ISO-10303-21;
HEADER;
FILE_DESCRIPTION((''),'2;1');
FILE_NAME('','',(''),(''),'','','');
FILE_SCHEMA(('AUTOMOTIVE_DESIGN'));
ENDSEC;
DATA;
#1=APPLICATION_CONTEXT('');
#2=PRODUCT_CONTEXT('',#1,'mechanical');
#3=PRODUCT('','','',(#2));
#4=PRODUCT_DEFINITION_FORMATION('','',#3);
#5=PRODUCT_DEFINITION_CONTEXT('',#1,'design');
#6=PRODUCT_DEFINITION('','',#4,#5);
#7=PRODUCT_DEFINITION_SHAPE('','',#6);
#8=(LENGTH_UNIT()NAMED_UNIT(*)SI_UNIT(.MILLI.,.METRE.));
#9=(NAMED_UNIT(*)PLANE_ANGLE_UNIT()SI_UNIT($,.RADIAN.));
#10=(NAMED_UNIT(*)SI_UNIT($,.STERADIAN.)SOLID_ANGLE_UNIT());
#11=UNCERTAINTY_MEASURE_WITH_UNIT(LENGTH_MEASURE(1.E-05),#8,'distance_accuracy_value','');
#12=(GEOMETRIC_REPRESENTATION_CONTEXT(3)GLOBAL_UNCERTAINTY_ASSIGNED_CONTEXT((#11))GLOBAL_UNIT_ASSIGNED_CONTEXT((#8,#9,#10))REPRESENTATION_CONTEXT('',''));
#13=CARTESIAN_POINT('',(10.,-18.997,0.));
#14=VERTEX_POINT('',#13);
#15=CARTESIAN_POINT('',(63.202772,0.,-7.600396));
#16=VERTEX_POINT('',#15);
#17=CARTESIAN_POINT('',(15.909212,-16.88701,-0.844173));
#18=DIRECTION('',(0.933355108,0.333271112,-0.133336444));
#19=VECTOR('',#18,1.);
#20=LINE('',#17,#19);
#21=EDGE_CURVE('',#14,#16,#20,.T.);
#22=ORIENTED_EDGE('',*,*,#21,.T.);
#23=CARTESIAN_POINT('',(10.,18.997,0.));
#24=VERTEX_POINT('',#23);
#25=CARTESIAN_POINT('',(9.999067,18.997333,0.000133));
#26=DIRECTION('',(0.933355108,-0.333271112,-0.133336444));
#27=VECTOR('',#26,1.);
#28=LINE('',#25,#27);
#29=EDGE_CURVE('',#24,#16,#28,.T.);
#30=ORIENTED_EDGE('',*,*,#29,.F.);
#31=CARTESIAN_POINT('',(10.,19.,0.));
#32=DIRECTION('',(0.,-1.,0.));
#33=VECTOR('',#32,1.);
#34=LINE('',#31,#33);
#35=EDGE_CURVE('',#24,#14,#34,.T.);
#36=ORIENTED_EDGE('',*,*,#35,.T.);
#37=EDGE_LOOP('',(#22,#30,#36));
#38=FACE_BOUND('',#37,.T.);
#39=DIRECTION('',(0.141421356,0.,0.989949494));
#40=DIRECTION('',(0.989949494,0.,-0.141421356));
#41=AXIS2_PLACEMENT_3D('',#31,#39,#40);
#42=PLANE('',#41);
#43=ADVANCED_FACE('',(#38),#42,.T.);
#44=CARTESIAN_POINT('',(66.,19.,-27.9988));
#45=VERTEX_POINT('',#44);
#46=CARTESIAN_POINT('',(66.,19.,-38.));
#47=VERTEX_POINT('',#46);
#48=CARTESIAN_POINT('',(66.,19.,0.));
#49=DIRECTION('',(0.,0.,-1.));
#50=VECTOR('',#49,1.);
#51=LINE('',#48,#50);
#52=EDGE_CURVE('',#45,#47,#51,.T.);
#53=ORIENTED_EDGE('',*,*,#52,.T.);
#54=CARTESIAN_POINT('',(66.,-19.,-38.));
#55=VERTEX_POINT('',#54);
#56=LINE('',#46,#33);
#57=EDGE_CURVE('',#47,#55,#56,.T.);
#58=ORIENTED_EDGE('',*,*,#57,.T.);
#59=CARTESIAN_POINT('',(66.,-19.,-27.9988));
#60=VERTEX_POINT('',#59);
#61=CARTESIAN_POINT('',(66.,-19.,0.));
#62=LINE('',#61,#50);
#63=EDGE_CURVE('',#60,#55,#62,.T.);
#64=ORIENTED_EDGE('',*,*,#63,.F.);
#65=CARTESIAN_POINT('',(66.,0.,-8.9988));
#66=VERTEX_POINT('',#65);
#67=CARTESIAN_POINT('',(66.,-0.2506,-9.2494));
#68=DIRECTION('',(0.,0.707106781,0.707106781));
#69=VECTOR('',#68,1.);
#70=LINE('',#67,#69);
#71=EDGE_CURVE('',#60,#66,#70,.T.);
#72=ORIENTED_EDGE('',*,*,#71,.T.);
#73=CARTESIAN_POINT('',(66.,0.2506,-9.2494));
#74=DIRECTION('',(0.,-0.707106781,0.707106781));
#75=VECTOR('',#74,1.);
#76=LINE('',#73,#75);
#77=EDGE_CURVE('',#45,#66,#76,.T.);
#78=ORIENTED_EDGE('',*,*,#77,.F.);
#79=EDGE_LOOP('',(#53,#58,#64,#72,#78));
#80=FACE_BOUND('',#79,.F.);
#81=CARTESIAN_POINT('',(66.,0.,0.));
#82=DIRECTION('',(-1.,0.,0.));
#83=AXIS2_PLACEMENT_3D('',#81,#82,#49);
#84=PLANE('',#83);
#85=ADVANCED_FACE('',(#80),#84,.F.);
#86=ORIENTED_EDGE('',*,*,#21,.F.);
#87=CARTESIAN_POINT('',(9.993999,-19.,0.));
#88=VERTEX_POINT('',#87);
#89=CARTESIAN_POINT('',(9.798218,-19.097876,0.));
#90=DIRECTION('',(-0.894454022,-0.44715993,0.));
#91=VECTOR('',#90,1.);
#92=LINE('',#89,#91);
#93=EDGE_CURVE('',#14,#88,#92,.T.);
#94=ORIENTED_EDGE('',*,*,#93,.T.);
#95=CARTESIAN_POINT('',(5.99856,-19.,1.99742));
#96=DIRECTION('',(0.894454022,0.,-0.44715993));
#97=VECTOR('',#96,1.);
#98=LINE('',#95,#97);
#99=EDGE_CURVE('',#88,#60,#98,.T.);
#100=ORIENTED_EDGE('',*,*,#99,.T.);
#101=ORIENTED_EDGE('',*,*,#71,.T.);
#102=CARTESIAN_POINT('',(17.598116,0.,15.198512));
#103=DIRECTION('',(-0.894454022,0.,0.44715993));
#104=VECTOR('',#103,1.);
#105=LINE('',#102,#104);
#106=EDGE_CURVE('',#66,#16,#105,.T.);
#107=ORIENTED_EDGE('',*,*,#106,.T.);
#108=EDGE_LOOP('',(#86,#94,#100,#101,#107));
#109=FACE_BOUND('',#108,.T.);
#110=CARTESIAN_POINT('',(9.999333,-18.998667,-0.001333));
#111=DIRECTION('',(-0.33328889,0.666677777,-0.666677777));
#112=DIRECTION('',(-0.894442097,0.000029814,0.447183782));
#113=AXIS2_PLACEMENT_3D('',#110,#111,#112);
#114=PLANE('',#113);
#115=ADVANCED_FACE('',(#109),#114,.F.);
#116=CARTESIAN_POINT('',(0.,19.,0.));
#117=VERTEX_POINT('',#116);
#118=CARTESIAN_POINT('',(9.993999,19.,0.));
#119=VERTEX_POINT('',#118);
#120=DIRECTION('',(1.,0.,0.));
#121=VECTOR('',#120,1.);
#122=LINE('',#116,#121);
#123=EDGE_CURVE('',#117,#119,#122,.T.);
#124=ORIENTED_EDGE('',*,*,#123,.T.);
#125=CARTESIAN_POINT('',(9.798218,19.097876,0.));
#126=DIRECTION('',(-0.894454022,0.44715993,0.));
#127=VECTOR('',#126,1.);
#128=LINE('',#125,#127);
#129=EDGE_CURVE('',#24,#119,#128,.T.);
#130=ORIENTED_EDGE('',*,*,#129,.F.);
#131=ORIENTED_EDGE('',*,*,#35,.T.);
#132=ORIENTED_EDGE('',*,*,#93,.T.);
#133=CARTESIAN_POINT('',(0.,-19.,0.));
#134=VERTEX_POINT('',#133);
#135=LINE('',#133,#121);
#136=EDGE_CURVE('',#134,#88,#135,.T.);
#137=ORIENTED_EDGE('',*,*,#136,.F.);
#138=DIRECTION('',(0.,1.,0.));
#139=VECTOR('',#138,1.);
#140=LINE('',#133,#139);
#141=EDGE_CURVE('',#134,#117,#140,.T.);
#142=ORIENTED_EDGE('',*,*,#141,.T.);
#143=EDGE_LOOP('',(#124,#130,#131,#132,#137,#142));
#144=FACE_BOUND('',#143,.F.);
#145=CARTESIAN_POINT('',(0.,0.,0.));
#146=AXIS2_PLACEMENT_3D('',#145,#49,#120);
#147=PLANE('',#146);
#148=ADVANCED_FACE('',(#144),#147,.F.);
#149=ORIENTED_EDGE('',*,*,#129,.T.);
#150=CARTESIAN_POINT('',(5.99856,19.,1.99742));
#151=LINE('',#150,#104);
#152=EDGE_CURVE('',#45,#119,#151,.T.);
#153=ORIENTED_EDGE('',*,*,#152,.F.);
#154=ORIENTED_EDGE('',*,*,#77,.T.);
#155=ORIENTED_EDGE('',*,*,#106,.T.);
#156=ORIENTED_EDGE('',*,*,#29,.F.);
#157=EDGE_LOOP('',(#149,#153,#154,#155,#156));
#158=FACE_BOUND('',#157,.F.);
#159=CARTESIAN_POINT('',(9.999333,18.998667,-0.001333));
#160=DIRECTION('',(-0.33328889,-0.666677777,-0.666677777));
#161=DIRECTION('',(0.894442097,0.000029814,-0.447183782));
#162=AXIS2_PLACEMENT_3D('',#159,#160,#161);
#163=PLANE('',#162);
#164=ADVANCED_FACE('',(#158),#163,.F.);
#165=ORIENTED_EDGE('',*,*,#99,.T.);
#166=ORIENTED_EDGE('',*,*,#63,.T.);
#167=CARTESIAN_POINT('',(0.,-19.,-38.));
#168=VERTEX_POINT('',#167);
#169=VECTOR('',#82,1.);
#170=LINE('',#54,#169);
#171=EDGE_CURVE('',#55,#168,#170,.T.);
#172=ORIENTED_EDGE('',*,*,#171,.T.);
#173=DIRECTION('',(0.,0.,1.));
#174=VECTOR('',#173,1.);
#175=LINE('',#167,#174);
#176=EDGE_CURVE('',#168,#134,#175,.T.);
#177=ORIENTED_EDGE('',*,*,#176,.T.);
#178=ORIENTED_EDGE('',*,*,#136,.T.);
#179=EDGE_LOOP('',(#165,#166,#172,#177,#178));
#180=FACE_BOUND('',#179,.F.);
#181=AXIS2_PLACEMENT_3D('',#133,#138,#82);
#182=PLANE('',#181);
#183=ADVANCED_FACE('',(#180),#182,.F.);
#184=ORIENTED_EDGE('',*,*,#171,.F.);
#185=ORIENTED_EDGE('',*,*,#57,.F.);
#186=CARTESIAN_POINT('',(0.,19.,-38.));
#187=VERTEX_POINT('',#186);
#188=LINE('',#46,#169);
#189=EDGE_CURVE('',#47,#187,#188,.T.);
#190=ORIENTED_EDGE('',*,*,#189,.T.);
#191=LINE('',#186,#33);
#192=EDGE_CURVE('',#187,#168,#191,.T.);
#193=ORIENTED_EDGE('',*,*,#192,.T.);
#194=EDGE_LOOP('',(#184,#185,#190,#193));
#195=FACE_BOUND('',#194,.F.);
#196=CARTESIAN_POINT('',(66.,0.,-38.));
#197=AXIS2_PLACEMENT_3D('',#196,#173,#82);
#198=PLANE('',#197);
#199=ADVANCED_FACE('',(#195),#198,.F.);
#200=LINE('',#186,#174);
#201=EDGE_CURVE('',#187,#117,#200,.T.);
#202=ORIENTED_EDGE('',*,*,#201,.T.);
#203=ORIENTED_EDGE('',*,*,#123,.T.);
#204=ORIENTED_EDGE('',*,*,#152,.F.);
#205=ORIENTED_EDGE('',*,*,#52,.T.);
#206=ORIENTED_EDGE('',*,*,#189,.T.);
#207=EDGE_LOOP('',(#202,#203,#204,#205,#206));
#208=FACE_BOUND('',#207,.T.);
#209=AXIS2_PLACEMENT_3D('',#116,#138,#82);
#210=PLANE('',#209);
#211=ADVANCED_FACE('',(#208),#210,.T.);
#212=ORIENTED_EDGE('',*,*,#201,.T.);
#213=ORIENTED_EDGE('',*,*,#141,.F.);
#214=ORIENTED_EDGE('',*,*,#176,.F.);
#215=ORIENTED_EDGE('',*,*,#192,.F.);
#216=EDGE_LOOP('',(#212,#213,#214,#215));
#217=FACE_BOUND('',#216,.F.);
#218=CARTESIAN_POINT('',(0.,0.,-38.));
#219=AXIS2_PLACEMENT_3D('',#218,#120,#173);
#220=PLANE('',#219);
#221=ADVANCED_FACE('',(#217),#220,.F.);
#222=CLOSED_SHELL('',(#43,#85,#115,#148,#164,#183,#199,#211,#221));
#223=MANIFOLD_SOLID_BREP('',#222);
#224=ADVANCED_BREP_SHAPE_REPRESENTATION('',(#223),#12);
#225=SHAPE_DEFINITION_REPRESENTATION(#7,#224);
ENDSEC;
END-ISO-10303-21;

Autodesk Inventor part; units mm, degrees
ref_plane "YZ Plane" through (0, 0, 0) normal (1, 0, 0) x (0, 1, 0)
ref_plane "XZ Plane" through (0, 0, 0) normal (0, 1, 0) x (-1, 0, 0)
sketch "草圖1" plane through (0, 0, 0) normal (0, 1, 0) x (-1, 0, 0)
  line L0 (0, 0) -> (-66, 0)
  line L1 (-66, 0) -> (-66, -38)
  line L2 (-66, -38) -> (0, -38)
  line L3 (0, -38) -> (0, 0)
  dimension "d0" = 66
  dimension "d1" = 38
extrude "擠出1" add sketch "草圖1" along normal mid plane 38
sketch "草圖2" plane through (0, 19, 0) normal (0, 1, 0) x (1, 0, 0)
  line L0 (0, 0) -> (66, 0) projected
  line L1 (10, 0) -> (66, 8)
  line L2 (66, 0) -> (66, 38) projected
  dimension "d4" = 10
  dimension "d5" = 30
extrude "擠出2" cut sketch "草圖2" against normal blind 40
sketch "草圖3" plane through (66, -19, -38) normal (1, 0, 0) x (0, 0, -1)
  line L0 (-30, 18) -> (-10, 38)
  line L1 (0, 38) -> (-38, 38) projected
  line L2 (-30, 38) -> (-30, 0) projected
  point P0 (-38, 19)
  dimension "d8" = 20
  dimension "d9" = 20
ref_plane "工作平面1" through (10, 19, 0) normal (-0.3333, -0.6667, -0.6667) x (0.8944, 0, -0.4472)
sketch "草圖4" plane through (10, 19, 0) normal (-0.3333, -0.6667, -0.6667) x (0.8944, 0, -0.4472)
  line L0 (-15.1543, -12.3218) -> (93.717, -12.3218)
  line L1 (93.717, -12.3218) -> (93.717, 28.8166)
  line L2 (93.717, 28.8166) -> (-15.1543, 28.8166)
  line L3 (-15.1543, 28.8166) -> (-15.1543, -12.3218)
  point P0 (-8.9443, 11.1803)
extrude "擠出3" cut sketch "草圖4" against normal blind 40
mirror "鏡射1" about plane through (0, 0, 0) normal (0, 1, 0) of "擠出3"
properties part number "6430"
